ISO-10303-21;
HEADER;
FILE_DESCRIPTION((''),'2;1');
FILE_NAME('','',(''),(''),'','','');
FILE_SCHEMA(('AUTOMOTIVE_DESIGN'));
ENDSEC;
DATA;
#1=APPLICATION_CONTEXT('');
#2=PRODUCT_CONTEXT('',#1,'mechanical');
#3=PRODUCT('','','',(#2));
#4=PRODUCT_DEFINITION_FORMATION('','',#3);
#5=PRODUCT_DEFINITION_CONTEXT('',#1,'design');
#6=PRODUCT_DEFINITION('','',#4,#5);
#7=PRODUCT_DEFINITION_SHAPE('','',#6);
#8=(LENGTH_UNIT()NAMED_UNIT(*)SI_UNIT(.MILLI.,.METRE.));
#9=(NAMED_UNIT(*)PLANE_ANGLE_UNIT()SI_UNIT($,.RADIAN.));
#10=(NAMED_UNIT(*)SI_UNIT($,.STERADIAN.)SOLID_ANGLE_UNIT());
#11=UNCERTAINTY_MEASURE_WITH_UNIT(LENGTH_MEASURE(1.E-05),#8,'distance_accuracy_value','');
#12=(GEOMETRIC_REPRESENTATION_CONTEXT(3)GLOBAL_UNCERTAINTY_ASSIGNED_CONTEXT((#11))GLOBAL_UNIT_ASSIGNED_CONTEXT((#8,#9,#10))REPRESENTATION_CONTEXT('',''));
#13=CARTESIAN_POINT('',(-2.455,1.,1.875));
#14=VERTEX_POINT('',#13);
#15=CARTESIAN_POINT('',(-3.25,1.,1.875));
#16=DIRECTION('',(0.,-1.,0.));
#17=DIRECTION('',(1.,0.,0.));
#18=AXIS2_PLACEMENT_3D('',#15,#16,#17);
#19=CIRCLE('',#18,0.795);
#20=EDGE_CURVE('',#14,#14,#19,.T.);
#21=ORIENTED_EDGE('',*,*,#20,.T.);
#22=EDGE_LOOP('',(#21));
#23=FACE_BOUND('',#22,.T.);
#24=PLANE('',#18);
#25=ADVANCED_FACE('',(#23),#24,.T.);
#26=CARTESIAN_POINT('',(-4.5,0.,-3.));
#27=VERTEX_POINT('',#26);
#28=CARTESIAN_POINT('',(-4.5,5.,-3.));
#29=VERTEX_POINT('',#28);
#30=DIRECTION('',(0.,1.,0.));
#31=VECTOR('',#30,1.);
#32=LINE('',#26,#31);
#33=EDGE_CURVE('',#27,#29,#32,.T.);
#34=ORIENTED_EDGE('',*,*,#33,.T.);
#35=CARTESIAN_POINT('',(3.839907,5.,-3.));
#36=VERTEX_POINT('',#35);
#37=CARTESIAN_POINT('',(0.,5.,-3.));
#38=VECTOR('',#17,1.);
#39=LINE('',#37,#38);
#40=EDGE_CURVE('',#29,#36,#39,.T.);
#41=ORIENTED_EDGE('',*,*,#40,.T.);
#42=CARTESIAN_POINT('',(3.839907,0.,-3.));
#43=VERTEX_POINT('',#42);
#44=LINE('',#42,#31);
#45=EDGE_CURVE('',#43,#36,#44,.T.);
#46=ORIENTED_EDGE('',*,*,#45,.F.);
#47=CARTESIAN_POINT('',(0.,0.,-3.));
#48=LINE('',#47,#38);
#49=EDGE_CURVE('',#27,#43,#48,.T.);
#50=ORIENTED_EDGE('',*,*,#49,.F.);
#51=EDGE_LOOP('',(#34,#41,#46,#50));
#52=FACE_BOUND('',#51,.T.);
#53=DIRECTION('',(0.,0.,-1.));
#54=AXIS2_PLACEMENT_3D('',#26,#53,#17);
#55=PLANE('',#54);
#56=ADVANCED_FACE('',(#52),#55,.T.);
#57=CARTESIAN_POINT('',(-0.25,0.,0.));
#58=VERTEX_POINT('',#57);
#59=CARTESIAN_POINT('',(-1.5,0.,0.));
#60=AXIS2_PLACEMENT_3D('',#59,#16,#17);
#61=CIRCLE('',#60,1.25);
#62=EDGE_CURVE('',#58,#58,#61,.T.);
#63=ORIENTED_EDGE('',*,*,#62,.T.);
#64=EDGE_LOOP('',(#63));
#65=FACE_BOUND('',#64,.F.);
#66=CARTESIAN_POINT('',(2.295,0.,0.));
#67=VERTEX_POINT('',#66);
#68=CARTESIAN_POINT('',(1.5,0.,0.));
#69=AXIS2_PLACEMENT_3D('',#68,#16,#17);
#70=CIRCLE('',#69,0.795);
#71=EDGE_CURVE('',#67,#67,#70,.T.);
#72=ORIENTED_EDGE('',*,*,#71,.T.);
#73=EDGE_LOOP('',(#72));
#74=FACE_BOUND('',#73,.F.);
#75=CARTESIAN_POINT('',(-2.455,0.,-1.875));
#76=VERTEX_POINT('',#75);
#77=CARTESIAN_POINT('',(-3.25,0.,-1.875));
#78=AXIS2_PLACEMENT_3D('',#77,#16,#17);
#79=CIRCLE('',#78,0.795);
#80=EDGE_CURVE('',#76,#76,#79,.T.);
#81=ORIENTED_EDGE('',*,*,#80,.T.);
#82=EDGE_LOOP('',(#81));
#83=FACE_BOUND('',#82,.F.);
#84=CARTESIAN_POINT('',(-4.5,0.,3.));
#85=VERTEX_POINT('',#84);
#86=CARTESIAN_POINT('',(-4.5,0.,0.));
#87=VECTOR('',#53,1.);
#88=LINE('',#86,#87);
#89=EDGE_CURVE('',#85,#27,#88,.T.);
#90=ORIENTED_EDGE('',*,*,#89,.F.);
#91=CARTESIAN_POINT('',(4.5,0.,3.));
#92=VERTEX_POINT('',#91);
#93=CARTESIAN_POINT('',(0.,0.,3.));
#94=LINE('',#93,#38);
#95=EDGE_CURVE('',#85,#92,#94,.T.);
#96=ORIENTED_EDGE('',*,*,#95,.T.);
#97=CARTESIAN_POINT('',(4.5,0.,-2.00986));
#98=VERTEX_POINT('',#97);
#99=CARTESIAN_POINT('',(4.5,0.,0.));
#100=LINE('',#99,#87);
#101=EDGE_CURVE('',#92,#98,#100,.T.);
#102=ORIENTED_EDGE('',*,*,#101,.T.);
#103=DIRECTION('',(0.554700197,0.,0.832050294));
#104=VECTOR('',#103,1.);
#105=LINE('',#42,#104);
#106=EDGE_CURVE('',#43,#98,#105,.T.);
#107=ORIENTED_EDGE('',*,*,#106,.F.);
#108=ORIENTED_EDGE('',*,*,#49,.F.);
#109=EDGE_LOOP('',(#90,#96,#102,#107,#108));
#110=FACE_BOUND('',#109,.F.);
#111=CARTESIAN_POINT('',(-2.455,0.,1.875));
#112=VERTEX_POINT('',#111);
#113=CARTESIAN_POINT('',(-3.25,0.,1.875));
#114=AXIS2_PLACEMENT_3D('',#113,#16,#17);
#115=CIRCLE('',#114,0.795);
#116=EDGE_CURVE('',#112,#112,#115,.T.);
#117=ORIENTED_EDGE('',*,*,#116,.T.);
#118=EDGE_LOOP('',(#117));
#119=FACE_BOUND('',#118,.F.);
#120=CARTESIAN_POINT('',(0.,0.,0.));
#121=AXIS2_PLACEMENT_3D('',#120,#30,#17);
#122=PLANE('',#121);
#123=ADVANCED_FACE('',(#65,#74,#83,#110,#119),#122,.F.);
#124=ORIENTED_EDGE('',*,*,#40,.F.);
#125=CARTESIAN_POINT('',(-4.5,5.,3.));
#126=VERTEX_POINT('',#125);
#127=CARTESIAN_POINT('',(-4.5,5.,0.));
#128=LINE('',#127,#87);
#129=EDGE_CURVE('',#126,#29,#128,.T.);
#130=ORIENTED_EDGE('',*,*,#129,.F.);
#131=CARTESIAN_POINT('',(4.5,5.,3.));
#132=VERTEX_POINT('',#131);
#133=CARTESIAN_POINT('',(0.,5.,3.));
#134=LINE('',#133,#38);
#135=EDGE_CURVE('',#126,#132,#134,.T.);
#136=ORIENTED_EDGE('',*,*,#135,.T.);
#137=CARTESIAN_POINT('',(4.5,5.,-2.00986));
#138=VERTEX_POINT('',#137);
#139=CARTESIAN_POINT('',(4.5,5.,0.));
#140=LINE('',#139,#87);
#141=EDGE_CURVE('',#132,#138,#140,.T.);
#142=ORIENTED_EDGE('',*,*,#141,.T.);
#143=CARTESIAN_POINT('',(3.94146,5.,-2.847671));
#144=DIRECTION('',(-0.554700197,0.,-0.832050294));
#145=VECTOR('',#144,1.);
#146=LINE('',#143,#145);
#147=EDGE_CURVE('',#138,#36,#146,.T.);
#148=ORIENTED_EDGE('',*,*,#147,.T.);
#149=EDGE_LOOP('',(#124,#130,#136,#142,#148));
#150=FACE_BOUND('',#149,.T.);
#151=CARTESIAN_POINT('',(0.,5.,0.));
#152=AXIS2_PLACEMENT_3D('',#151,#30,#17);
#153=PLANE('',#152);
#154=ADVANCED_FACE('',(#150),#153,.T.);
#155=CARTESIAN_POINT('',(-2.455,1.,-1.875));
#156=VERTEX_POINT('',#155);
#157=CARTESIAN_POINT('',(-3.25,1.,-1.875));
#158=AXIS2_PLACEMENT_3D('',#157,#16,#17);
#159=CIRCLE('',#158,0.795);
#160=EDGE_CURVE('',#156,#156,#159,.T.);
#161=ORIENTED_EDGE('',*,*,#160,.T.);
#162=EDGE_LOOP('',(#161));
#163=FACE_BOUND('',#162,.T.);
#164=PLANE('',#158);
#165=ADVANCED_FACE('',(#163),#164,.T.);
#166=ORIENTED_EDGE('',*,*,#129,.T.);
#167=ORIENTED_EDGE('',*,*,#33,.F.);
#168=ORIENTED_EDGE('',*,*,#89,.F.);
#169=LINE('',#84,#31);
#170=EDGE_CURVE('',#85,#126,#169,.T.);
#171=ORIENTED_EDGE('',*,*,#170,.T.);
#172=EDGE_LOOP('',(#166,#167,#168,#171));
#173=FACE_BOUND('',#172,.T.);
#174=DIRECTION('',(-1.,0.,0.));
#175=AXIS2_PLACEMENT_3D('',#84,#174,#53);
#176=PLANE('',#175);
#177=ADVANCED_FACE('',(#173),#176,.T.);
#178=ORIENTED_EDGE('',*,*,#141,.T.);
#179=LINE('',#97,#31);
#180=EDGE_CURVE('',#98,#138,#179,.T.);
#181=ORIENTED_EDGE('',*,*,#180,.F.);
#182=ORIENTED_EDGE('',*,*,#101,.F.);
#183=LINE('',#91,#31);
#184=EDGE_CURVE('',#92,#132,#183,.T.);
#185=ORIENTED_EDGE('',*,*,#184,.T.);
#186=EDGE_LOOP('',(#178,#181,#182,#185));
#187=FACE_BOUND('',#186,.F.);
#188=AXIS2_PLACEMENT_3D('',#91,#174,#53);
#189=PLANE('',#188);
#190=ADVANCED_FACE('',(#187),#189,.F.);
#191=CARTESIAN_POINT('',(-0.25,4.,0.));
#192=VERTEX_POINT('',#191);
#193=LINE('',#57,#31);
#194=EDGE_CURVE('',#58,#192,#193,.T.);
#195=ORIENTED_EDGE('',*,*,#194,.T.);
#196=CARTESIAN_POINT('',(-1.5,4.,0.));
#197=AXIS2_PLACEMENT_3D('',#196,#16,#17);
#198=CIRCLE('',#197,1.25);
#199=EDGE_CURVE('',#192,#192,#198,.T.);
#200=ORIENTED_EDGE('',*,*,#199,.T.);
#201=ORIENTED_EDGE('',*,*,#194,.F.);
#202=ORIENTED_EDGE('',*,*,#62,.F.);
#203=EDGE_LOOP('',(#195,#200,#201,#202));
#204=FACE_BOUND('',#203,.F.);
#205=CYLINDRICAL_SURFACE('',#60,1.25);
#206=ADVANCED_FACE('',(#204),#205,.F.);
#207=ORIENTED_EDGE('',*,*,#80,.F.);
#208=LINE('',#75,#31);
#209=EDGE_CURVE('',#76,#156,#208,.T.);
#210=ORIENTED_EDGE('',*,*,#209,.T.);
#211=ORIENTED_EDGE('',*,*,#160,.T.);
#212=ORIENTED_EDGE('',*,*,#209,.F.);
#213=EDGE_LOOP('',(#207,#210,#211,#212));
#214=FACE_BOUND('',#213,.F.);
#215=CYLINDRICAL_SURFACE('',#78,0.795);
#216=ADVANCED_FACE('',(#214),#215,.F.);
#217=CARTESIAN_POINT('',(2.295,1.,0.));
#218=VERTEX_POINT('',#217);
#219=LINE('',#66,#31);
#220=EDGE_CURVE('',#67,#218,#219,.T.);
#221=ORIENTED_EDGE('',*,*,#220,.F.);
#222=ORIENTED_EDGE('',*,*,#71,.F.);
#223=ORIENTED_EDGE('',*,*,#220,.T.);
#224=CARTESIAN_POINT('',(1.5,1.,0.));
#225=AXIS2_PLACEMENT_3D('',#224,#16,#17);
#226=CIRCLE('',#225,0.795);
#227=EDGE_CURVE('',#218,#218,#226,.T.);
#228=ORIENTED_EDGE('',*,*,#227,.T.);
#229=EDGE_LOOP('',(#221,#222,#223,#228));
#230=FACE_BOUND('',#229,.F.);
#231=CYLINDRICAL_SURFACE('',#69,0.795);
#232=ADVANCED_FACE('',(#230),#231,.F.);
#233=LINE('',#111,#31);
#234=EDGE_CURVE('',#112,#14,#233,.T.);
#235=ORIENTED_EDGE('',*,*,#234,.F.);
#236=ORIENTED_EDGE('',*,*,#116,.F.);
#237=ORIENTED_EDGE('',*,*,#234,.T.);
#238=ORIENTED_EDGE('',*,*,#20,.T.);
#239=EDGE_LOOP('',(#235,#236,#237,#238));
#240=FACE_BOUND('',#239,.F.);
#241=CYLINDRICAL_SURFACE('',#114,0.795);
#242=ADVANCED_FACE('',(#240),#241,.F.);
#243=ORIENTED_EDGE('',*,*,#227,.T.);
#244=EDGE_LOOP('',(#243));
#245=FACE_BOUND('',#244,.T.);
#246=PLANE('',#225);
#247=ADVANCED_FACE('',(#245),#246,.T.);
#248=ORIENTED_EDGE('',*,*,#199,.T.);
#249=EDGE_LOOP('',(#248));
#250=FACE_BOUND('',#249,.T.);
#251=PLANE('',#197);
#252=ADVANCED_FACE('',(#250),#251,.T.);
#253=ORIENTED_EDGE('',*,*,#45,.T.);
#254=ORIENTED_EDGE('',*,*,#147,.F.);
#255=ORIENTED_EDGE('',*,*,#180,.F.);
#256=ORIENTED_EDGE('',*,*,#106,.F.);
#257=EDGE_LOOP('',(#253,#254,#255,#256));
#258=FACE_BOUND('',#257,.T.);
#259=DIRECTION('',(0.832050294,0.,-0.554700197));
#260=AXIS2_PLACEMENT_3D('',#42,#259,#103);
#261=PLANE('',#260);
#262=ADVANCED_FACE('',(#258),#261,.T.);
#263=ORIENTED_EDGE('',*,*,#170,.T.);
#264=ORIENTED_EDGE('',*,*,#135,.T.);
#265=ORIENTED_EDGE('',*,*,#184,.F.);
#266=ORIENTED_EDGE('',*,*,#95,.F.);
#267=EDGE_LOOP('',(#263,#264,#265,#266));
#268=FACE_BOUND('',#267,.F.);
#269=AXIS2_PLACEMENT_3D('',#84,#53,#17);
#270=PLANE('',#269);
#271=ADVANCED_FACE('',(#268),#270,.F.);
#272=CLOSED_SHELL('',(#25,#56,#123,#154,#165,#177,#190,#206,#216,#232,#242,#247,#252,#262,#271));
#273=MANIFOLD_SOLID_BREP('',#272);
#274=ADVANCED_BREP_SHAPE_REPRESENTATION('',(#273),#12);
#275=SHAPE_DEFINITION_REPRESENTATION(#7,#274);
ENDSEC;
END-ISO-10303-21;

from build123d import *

# Parameters (mm, degrees)
SKETCH1_W           = 9
SKETCH1_H           = 6
BOSS_EXTRUDE1_DEPTH = 5
SKETCH3_R           = 1.25
CUT_EXTRUDE2_DEPTH  = 4
SKETCH2_R           = 0.795
CUT_EXTRUDE1_DEPTH  = 1
CUT_EXTRUDE3_DEPTH  = 6


with BuildPart() as part:
    # Sketch1 → Boss-Extrude1 (new body)
    with BuildSketch(Plane(origin=(0, 0, 0), x_dir=(1, 0, 0), z_dir=(0, 1, 0))):
        Rectangle(SKETCH1_W, SKETCH1_H)
    extrude(amount=BOSS_EXTRUDE1_DEPTH)

    # Sketch3 → Cut-Extrude2 (cut)
    with BuildSketch(Plane.XZ):
        with Locations((-1.5, 0)):
            Circle(SKETCH3_R)
    extrude(amount=-CUT_EXTRUDE2_DEPTH, mode=Mode.SUBTRACT)

    # Sketch2 → Cut-Extrude1 (cut)
    with BuildSketch(Plane.XZ):
        with Locations((-3.25, -1.875)):
            Circle(SKETCH2_R)
        with Locations((-3.25, 1.875)):
            Circle(SKETCH2_R)
        with Locations((1.5, 0)):
            Circle(SKETCH2_R)
    extrude(amount=-CUT_EXTRUDE1_DEPTH, mode=Mode.SUBTRACT)

    # Sketch4 → Cut-Extrude3 (cut, through all)
    with BuildSketch(Plane.XZ):
        Polygon((3.839906766, -3), (4.5, -2.00986015), (4.5, -3), align=None)
    extrude(amount=-CUT_EXTRUDE3_DEPTH, mode=Mode.SUBTRACT)


solid = part.part
